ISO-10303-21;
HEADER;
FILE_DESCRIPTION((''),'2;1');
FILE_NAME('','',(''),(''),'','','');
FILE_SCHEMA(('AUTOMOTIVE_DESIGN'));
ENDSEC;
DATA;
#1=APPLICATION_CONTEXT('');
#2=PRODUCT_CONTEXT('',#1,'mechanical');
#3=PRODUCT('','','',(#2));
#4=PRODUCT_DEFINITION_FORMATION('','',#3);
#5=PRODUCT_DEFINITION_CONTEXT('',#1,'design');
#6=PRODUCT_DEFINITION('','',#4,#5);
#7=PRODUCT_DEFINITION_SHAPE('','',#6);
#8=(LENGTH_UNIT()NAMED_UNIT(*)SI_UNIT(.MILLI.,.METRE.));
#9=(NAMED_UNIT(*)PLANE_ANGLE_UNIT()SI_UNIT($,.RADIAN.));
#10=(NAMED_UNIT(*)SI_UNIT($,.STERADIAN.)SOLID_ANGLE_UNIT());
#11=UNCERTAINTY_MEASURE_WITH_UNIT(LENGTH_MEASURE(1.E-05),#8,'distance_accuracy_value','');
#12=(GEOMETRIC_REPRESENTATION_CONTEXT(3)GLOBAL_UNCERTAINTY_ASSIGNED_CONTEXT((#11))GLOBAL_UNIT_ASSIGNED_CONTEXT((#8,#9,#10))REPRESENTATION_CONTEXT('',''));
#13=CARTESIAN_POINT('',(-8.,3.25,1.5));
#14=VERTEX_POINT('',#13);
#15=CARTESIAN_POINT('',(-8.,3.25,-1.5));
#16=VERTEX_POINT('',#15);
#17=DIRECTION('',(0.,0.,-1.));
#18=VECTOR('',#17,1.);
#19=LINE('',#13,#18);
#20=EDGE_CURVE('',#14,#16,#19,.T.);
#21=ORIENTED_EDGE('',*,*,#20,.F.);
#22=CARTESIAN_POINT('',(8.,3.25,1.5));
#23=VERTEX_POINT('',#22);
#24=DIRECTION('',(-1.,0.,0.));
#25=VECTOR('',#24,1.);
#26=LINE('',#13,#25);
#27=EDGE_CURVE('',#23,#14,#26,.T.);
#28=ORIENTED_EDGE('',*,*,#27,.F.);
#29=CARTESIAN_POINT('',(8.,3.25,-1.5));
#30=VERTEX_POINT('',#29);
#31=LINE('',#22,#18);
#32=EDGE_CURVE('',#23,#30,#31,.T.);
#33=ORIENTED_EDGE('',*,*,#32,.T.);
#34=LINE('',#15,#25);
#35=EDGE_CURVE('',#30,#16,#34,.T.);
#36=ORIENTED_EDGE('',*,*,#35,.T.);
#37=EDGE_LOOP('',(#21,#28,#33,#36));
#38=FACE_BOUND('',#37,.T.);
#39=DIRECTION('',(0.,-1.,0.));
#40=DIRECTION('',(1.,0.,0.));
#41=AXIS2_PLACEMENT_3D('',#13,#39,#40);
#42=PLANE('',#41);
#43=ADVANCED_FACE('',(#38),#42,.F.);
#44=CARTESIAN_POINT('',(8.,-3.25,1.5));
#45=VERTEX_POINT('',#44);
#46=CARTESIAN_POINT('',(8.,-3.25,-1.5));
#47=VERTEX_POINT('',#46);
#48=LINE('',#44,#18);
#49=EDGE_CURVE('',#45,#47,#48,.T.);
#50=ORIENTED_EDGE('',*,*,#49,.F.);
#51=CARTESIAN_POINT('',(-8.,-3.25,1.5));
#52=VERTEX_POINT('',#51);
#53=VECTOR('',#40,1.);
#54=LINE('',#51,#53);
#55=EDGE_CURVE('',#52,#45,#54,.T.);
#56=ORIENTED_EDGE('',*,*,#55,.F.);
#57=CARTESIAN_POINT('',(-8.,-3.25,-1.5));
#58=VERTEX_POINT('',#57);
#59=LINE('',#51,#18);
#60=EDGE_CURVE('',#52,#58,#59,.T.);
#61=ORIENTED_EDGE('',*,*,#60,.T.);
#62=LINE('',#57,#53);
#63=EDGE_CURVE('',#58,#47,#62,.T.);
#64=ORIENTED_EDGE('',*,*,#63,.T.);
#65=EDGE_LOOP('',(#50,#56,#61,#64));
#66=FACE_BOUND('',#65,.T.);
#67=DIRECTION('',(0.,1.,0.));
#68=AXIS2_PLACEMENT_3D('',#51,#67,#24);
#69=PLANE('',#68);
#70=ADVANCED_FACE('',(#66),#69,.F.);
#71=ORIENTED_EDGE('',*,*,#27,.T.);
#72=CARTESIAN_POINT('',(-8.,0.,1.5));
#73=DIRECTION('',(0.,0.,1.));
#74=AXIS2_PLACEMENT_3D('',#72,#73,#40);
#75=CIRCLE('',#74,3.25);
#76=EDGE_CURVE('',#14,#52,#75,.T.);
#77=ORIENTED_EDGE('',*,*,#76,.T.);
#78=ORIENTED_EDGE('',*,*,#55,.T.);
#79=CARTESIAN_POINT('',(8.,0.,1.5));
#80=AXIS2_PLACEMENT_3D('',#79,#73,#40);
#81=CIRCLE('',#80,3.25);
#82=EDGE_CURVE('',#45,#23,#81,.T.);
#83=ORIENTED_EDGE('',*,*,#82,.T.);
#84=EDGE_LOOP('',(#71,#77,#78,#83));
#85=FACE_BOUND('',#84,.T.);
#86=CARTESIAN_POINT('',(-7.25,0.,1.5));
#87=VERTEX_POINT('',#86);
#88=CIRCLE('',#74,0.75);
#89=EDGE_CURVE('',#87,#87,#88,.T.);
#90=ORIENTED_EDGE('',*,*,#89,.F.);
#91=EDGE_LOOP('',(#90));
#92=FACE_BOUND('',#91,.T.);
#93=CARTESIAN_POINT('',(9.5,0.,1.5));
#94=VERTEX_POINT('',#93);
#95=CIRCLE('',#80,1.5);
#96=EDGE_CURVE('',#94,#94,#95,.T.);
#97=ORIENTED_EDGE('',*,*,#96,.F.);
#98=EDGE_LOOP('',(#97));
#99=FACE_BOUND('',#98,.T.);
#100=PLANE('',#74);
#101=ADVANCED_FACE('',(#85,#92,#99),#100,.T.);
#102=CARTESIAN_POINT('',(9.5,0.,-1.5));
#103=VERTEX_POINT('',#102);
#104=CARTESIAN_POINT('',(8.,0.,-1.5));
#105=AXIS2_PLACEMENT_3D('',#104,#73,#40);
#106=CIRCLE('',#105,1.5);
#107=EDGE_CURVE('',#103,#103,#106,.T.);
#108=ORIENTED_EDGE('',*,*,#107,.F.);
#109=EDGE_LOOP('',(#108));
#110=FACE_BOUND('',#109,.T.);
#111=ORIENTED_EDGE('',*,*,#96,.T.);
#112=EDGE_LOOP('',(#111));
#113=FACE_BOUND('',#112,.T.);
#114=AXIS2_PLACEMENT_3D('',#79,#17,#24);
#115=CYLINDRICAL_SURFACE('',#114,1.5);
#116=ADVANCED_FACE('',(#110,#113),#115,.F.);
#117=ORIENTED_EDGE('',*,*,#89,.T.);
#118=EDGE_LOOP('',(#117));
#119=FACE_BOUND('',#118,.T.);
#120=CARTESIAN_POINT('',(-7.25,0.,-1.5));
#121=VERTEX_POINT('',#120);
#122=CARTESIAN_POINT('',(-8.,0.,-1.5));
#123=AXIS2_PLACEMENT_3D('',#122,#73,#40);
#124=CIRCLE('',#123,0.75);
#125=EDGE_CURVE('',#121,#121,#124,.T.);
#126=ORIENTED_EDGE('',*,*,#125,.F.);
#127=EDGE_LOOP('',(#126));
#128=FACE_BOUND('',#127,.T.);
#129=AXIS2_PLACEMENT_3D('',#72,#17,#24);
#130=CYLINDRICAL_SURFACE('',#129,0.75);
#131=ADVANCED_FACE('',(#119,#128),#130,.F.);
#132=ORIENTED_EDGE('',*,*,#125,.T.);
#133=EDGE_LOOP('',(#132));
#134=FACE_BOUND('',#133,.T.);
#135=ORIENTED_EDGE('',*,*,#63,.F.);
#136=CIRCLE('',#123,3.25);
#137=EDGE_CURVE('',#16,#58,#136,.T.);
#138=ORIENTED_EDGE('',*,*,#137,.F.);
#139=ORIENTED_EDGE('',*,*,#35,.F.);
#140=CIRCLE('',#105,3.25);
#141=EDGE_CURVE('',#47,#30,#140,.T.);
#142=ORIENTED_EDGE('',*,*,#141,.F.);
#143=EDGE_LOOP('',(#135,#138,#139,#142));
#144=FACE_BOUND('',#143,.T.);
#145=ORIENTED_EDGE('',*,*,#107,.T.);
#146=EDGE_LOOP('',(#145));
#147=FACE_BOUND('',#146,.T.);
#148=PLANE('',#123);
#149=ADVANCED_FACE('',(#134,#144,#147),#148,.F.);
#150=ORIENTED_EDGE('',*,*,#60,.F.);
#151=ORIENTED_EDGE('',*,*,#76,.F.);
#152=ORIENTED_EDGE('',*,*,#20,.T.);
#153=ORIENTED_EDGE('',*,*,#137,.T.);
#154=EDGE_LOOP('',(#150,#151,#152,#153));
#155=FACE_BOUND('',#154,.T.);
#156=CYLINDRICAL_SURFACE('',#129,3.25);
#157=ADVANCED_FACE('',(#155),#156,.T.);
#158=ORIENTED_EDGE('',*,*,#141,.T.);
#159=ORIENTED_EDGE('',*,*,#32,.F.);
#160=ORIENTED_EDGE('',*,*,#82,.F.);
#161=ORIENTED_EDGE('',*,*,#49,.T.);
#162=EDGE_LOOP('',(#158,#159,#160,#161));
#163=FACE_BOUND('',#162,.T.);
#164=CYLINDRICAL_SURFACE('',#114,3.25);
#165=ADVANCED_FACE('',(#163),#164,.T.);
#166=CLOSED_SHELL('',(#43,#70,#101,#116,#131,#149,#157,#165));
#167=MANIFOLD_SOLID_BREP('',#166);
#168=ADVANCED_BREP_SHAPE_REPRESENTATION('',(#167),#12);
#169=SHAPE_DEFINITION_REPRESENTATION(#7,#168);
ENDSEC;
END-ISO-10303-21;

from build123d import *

# Parameters (mm, degrees)
SKETCH1_R           = 0.75
SKETCH1_R_2         = 1.5
BOSS_EXTRUDE1_DEPTH = 1.5


with BuildPart() as part:
    # Sketch1 → Boss-Extrude1 (new body, symmetric)
    with BuildSketch(Plane.XY):
        with BuildLine():
            Line((-8, 3.25), (8, 3.25))
            ThreePointArc((8, 3.25), (11.25, 0), (8, -3.25))
            Line((8, -3.25), (-8, -3.25))
            ThreePointArc((-8, -3.25), (-11.25, 0), (-8, 3.25))
        make_face()
        with Locations((-8, 0)):
            Circle(SKETCH1_R, mode=Mode.SUBTRACT)
        with Locations((8, 0)):
            Circle(SKETCH1_R_2, mode=Mode.SUBTRACT)
    extrude(amount=BOSS_EXTRUDE1_DEPTH, both=True)


solid = part.part
